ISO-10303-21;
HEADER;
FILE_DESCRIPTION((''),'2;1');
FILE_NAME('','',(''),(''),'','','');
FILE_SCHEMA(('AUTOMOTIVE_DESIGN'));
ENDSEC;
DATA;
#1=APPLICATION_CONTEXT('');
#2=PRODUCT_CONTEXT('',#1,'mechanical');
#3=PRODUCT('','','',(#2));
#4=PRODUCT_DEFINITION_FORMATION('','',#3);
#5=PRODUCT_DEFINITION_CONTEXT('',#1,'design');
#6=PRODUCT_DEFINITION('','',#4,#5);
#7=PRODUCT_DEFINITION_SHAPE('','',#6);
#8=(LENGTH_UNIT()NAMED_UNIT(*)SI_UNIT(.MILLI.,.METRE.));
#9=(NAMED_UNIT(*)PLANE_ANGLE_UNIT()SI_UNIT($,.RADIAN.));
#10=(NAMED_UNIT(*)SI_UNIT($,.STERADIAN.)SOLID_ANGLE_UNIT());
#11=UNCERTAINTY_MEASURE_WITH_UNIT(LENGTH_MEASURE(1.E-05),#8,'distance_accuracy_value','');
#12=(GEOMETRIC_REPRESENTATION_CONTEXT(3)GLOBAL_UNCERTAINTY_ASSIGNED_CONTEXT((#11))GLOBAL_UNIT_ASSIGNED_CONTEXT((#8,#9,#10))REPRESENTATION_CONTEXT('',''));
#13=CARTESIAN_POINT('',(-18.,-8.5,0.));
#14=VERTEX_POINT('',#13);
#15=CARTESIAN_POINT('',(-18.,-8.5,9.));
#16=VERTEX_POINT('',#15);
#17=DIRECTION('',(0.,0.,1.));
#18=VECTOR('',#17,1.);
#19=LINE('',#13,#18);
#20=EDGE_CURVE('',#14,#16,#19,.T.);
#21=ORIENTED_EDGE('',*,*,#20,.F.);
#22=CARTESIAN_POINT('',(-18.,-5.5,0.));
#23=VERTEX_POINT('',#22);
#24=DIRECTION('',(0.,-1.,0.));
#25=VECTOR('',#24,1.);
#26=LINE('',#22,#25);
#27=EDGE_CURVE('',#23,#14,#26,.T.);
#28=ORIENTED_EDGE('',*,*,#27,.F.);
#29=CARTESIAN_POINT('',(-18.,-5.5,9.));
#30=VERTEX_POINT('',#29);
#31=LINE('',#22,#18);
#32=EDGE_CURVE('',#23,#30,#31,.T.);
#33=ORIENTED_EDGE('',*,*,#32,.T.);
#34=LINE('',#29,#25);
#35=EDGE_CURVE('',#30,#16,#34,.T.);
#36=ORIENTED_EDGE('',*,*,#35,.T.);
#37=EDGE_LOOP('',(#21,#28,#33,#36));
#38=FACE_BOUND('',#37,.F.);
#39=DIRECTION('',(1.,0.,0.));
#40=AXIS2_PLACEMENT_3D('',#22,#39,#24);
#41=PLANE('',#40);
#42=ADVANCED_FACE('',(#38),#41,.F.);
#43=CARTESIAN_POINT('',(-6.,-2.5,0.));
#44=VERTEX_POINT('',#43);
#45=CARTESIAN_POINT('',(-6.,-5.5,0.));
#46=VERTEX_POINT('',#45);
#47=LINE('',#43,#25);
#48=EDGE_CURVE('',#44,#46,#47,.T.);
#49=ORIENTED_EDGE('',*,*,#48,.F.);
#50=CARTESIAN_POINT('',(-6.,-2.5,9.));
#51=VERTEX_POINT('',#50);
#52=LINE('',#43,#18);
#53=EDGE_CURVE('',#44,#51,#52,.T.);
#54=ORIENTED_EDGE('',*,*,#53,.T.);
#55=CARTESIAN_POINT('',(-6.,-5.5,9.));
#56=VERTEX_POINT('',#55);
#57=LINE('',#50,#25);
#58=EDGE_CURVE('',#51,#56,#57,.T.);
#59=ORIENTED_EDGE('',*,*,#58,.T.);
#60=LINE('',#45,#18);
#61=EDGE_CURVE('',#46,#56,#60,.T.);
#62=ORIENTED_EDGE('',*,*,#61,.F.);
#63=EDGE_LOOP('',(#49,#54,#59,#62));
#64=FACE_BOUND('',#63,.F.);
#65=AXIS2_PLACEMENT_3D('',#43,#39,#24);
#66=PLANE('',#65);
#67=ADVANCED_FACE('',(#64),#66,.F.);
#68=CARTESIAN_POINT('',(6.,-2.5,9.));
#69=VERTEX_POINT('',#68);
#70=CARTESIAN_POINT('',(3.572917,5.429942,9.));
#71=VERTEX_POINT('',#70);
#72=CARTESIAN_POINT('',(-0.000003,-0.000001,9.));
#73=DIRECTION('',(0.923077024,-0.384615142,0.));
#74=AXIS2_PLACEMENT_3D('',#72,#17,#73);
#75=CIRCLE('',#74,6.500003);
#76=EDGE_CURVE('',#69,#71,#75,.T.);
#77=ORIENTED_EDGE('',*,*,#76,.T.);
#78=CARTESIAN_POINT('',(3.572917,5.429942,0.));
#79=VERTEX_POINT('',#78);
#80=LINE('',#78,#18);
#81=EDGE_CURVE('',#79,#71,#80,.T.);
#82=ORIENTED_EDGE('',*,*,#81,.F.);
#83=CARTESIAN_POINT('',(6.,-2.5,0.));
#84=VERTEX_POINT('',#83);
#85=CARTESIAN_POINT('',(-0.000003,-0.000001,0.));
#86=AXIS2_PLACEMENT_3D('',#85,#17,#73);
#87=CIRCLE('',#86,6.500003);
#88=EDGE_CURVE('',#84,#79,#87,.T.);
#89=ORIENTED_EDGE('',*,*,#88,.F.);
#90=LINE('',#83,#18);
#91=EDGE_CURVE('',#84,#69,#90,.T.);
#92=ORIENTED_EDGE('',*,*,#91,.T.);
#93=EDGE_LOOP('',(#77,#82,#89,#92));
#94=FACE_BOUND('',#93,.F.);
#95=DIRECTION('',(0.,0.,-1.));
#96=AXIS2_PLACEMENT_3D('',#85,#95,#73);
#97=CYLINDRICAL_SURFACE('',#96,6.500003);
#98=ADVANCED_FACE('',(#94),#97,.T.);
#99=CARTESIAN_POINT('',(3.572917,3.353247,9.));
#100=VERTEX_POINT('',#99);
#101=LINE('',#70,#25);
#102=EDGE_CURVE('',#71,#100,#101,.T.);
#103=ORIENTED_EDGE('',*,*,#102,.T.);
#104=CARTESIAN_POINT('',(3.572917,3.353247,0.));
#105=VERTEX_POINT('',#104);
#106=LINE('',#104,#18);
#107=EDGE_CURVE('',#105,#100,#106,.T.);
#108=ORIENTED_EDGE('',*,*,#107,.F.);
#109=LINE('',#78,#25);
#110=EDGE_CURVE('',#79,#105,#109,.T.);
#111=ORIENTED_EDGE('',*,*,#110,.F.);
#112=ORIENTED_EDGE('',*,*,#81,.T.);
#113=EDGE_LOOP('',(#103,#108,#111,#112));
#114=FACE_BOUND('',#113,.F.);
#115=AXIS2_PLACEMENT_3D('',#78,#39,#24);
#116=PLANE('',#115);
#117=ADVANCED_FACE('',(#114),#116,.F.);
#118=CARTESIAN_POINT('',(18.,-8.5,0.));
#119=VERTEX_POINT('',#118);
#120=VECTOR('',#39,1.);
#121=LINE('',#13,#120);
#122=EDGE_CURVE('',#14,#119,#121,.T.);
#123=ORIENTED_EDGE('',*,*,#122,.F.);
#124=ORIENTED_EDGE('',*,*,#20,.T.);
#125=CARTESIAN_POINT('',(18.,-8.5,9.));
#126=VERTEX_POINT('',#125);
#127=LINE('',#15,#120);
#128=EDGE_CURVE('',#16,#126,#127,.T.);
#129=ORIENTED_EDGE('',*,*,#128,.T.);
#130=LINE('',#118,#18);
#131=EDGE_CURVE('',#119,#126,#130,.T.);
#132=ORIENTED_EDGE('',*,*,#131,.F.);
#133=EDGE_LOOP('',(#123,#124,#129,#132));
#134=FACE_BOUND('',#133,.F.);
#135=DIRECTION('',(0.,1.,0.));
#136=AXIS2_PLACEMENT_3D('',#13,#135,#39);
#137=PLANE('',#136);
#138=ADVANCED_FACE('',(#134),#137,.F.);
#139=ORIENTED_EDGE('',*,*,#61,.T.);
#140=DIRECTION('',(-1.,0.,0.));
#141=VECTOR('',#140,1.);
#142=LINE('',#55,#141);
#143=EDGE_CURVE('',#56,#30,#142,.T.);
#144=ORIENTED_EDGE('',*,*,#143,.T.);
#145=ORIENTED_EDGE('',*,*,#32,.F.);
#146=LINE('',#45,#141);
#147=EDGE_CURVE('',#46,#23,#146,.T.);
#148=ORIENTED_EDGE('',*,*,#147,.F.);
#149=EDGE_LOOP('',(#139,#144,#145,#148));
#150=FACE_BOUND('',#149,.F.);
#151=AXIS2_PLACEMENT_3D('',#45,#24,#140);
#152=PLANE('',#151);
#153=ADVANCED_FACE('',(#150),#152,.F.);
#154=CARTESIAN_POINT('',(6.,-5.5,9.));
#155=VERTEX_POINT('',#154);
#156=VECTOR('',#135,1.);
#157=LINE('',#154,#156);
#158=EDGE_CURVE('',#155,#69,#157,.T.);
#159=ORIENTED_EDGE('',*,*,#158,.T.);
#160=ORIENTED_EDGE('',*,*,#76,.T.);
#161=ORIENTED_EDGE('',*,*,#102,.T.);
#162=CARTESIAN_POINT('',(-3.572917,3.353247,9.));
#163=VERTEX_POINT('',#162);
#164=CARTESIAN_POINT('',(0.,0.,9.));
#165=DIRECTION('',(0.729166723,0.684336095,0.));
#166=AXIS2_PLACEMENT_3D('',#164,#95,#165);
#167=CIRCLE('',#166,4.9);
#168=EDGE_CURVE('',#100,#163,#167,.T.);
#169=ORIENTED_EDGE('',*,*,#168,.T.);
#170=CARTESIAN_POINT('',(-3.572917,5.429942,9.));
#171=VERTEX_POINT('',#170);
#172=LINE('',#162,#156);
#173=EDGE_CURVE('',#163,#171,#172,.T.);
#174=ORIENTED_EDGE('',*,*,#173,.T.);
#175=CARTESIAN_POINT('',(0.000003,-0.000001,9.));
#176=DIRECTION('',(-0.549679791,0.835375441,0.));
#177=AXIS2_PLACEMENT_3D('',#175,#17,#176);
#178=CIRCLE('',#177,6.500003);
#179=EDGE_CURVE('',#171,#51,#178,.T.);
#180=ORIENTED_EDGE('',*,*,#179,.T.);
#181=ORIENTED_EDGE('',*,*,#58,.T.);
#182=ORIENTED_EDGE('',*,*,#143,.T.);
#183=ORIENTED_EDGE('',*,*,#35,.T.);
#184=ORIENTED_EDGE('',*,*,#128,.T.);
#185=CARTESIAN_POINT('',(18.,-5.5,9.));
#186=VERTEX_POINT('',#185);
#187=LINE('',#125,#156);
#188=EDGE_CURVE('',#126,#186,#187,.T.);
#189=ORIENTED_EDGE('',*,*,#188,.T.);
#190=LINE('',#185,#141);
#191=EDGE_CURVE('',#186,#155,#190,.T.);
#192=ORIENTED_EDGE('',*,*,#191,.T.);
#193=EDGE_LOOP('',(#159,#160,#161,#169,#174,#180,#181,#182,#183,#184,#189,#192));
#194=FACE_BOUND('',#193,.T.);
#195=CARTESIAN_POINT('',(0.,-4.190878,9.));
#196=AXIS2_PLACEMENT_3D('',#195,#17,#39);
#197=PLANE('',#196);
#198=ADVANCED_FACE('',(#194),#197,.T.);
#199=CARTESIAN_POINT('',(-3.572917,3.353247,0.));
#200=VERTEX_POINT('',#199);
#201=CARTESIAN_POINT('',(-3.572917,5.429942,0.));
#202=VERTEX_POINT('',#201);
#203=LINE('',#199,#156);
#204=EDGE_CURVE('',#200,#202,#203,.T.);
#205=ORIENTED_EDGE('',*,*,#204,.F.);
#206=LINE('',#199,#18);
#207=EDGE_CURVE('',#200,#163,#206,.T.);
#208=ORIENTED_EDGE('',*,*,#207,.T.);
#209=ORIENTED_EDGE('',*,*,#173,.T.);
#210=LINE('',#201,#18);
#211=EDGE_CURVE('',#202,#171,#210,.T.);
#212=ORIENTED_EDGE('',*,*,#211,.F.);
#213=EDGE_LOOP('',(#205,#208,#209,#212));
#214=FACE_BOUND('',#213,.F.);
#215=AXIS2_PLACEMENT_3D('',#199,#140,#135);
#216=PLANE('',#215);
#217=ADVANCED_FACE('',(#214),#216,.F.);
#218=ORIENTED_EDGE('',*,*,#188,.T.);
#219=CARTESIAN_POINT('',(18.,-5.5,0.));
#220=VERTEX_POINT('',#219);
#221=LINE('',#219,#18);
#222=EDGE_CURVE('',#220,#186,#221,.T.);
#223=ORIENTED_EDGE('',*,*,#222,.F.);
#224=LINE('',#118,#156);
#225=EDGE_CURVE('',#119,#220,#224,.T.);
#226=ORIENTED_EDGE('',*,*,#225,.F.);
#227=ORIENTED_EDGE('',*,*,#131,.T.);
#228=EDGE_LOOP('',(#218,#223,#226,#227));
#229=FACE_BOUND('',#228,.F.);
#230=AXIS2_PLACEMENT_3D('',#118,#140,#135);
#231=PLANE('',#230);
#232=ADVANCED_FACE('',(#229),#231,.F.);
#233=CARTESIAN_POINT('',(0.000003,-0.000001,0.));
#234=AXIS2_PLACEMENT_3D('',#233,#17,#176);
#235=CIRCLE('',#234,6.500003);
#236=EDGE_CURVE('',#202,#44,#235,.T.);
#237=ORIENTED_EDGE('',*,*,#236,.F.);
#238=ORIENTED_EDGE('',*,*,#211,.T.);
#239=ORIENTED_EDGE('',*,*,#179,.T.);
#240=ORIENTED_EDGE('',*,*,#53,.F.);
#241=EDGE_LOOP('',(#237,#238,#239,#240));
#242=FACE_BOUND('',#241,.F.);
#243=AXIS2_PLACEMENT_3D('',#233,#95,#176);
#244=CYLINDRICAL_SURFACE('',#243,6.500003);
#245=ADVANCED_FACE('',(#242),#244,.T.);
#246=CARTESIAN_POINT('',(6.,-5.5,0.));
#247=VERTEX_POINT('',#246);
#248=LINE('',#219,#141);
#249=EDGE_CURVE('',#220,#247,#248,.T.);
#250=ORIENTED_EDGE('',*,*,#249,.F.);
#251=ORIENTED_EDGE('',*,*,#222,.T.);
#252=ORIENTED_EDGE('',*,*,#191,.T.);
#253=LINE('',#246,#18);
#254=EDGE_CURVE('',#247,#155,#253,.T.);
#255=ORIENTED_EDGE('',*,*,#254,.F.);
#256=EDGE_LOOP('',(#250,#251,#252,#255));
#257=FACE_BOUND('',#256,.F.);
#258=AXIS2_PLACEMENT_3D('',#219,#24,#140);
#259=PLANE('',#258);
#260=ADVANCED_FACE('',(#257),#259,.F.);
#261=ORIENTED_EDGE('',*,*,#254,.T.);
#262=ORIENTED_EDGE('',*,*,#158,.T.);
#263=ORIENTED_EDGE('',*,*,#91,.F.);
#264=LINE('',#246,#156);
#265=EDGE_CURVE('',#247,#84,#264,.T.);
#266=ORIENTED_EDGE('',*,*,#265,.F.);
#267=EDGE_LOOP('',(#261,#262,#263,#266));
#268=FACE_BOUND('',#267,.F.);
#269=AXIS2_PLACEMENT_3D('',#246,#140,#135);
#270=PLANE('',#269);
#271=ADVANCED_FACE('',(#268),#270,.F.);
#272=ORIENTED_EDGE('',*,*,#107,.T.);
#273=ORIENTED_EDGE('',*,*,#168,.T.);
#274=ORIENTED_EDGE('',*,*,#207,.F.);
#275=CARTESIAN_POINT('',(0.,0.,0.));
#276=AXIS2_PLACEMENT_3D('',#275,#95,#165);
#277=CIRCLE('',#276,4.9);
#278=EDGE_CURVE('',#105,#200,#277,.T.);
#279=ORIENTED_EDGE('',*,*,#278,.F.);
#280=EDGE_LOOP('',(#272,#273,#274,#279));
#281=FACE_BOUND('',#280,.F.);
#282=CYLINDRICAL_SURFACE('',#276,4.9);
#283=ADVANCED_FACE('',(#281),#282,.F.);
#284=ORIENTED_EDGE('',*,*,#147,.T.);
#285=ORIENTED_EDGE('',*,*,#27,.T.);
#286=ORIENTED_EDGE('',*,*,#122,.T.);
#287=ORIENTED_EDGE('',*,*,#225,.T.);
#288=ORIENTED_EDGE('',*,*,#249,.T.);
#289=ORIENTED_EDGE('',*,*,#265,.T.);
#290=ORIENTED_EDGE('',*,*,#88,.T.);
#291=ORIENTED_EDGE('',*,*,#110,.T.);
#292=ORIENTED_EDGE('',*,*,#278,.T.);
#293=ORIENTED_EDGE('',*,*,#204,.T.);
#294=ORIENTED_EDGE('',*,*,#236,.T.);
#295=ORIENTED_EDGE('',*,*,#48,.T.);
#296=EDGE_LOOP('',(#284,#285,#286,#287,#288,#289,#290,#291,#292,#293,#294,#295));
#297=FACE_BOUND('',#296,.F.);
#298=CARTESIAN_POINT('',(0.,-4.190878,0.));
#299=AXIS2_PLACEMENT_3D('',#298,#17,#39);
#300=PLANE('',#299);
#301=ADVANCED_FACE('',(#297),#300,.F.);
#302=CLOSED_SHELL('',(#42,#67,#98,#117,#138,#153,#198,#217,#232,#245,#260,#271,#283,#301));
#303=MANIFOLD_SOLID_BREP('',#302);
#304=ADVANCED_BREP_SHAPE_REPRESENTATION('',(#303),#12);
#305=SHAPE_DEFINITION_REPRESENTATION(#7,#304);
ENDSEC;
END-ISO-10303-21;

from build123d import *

# Parameters (mm, degrees)
F1_DEPTH = 9


with BuildPart() as f1:
    # F0 (on Top) → F1 (new body)
    with BuildSketch(Plane.XY):
        with BuildLine():
            Line((-3.572917, 3.353247), (-3.572917, 5.429942))
            ThreePointArc((-3.572917, 5.429942), (-6.215398, 1.90232), (-6, -2.5))
            Line((-6, -2.5), (-6, -5.5))
            Line((-6, -5.5), (-18, -5.5))
            Line((-18, -5.5), (-18, -8.5))
            Line((-18, -8.5), (18, -8.5))
            Line((18, -8.5), (18, -5.5))
            Line((18, -5.5), (6, -5.5))
            Line((6, -5.5), (6, -2.5))
            ThreePointArc((6, -2.5), (6.215398, 1.90232), (3.572917, 5.429942))
            Line((3.572917, 5.429942), (3.572917, 3.353247))
            ThreePointArc((3.572917, 3.353247), (0, -4.9), (-3.572917, 3.353247))
        make_face()
    extrude(amount=F1_DEPTH)


solid = f1.part
